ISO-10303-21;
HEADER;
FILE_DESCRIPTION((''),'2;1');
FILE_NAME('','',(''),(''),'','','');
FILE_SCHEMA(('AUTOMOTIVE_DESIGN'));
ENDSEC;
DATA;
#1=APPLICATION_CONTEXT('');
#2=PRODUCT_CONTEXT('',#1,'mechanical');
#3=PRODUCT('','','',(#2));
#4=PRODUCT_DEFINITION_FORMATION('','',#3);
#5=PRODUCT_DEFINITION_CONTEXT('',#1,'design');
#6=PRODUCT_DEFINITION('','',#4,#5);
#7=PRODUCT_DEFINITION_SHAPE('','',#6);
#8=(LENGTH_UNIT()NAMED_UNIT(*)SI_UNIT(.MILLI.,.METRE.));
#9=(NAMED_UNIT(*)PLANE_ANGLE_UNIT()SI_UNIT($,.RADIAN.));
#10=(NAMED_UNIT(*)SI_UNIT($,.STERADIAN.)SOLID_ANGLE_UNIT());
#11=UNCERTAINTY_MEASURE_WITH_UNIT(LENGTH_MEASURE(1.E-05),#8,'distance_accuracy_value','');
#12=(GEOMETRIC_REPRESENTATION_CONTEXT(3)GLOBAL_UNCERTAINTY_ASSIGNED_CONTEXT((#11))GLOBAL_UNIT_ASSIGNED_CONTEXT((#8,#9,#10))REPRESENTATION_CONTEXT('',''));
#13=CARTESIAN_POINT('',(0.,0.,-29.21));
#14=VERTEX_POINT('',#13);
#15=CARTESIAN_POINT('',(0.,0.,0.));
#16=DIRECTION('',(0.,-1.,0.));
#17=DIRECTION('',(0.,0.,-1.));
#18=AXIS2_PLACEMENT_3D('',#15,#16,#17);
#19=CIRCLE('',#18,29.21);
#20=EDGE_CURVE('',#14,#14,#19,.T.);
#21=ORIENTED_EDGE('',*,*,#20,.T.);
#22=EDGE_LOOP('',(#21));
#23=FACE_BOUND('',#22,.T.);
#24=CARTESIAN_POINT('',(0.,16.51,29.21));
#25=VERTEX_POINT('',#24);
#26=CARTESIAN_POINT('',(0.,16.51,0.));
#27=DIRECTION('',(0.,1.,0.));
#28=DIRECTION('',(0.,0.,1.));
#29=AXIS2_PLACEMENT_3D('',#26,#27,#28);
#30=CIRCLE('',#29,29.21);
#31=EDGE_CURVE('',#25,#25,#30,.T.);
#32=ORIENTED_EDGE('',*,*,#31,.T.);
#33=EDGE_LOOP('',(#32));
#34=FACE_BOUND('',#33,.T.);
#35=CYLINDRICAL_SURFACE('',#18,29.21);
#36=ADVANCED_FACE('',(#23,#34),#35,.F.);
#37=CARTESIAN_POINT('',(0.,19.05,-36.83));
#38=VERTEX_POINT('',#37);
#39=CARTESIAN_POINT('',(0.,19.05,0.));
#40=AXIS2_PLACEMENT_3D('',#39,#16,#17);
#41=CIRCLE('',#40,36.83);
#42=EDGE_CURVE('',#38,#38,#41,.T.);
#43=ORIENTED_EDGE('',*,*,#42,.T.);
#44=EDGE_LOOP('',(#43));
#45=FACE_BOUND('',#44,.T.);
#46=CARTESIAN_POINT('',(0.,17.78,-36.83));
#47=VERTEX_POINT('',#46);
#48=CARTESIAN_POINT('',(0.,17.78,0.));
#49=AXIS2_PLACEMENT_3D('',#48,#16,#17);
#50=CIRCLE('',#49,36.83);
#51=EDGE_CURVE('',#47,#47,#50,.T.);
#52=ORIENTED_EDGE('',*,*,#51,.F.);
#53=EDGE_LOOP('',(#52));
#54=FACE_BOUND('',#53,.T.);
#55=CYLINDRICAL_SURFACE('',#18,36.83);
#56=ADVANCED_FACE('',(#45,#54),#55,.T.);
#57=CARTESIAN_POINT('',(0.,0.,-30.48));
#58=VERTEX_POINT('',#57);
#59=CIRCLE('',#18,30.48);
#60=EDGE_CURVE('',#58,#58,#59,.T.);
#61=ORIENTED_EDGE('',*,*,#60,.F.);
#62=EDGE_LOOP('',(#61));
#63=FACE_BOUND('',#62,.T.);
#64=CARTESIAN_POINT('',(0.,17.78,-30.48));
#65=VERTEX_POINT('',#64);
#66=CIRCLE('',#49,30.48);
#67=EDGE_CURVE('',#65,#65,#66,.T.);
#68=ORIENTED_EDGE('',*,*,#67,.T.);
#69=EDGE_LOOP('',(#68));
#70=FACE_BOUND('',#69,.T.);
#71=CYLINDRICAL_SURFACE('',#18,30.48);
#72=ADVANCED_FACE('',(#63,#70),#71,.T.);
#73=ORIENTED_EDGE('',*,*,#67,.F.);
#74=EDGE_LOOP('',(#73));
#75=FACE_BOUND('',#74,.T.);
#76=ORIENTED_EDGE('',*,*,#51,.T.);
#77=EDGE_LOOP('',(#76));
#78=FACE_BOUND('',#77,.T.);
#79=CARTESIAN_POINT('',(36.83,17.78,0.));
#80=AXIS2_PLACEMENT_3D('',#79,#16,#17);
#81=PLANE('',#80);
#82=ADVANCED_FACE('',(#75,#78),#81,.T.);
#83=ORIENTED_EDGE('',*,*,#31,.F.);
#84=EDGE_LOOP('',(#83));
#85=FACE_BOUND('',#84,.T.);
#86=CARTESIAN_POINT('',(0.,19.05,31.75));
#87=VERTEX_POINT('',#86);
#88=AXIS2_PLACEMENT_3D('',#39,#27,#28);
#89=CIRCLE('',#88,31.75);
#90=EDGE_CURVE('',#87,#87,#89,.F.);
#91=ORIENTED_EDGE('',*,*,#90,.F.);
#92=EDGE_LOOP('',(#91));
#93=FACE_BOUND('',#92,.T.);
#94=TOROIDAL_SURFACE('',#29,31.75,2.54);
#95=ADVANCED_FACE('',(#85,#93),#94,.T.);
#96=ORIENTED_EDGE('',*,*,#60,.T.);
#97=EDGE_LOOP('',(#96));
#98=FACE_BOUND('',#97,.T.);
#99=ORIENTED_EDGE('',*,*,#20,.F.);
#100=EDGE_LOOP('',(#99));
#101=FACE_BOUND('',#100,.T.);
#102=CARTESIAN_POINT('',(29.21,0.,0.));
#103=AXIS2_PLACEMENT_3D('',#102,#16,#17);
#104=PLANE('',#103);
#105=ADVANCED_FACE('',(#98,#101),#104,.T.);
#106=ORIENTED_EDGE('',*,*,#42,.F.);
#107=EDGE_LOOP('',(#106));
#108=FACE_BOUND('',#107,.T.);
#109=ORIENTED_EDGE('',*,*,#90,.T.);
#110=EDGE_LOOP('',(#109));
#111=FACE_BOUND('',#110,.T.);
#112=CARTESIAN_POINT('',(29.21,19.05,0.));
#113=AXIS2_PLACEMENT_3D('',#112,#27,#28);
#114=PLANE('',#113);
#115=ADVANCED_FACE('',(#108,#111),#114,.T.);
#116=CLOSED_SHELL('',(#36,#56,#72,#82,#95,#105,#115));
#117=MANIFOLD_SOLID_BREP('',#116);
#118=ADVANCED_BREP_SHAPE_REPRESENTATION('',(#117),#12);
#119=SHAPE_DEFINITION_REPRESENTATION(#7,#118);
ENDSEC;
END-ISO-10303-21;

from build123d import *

# Parameters (mm, degrees)
FILLET1_R = 2.54


with BuildPart() as part:
    # Sketch1 → Revolve1 (revolve)
    with BuildSketch(Plane.XY, mode=Mode.PRIVATE) as revolve1_sk:
        Polygon((29.21, 0), (29.21, 19.05), (36.83, 19.05), (36.83, 17.78), (30.48, 17.78), (30.48, 0), align=None)
    revolve(revolve1_sk.sketch.rotate(Axis((0, 0, 0), (0, 1, 0)), 90), axis=Axis((0, 0, 0), (0, 1, 0)))

    # Fillet1
    fillet1_edges = [part.edges().sort_by_distance(p)[0] for p in [
        (0, 19.05, 29.21),
    ]]
    fillet(fillet1_edges, radius=FILLET1_R)


solid = part.part
